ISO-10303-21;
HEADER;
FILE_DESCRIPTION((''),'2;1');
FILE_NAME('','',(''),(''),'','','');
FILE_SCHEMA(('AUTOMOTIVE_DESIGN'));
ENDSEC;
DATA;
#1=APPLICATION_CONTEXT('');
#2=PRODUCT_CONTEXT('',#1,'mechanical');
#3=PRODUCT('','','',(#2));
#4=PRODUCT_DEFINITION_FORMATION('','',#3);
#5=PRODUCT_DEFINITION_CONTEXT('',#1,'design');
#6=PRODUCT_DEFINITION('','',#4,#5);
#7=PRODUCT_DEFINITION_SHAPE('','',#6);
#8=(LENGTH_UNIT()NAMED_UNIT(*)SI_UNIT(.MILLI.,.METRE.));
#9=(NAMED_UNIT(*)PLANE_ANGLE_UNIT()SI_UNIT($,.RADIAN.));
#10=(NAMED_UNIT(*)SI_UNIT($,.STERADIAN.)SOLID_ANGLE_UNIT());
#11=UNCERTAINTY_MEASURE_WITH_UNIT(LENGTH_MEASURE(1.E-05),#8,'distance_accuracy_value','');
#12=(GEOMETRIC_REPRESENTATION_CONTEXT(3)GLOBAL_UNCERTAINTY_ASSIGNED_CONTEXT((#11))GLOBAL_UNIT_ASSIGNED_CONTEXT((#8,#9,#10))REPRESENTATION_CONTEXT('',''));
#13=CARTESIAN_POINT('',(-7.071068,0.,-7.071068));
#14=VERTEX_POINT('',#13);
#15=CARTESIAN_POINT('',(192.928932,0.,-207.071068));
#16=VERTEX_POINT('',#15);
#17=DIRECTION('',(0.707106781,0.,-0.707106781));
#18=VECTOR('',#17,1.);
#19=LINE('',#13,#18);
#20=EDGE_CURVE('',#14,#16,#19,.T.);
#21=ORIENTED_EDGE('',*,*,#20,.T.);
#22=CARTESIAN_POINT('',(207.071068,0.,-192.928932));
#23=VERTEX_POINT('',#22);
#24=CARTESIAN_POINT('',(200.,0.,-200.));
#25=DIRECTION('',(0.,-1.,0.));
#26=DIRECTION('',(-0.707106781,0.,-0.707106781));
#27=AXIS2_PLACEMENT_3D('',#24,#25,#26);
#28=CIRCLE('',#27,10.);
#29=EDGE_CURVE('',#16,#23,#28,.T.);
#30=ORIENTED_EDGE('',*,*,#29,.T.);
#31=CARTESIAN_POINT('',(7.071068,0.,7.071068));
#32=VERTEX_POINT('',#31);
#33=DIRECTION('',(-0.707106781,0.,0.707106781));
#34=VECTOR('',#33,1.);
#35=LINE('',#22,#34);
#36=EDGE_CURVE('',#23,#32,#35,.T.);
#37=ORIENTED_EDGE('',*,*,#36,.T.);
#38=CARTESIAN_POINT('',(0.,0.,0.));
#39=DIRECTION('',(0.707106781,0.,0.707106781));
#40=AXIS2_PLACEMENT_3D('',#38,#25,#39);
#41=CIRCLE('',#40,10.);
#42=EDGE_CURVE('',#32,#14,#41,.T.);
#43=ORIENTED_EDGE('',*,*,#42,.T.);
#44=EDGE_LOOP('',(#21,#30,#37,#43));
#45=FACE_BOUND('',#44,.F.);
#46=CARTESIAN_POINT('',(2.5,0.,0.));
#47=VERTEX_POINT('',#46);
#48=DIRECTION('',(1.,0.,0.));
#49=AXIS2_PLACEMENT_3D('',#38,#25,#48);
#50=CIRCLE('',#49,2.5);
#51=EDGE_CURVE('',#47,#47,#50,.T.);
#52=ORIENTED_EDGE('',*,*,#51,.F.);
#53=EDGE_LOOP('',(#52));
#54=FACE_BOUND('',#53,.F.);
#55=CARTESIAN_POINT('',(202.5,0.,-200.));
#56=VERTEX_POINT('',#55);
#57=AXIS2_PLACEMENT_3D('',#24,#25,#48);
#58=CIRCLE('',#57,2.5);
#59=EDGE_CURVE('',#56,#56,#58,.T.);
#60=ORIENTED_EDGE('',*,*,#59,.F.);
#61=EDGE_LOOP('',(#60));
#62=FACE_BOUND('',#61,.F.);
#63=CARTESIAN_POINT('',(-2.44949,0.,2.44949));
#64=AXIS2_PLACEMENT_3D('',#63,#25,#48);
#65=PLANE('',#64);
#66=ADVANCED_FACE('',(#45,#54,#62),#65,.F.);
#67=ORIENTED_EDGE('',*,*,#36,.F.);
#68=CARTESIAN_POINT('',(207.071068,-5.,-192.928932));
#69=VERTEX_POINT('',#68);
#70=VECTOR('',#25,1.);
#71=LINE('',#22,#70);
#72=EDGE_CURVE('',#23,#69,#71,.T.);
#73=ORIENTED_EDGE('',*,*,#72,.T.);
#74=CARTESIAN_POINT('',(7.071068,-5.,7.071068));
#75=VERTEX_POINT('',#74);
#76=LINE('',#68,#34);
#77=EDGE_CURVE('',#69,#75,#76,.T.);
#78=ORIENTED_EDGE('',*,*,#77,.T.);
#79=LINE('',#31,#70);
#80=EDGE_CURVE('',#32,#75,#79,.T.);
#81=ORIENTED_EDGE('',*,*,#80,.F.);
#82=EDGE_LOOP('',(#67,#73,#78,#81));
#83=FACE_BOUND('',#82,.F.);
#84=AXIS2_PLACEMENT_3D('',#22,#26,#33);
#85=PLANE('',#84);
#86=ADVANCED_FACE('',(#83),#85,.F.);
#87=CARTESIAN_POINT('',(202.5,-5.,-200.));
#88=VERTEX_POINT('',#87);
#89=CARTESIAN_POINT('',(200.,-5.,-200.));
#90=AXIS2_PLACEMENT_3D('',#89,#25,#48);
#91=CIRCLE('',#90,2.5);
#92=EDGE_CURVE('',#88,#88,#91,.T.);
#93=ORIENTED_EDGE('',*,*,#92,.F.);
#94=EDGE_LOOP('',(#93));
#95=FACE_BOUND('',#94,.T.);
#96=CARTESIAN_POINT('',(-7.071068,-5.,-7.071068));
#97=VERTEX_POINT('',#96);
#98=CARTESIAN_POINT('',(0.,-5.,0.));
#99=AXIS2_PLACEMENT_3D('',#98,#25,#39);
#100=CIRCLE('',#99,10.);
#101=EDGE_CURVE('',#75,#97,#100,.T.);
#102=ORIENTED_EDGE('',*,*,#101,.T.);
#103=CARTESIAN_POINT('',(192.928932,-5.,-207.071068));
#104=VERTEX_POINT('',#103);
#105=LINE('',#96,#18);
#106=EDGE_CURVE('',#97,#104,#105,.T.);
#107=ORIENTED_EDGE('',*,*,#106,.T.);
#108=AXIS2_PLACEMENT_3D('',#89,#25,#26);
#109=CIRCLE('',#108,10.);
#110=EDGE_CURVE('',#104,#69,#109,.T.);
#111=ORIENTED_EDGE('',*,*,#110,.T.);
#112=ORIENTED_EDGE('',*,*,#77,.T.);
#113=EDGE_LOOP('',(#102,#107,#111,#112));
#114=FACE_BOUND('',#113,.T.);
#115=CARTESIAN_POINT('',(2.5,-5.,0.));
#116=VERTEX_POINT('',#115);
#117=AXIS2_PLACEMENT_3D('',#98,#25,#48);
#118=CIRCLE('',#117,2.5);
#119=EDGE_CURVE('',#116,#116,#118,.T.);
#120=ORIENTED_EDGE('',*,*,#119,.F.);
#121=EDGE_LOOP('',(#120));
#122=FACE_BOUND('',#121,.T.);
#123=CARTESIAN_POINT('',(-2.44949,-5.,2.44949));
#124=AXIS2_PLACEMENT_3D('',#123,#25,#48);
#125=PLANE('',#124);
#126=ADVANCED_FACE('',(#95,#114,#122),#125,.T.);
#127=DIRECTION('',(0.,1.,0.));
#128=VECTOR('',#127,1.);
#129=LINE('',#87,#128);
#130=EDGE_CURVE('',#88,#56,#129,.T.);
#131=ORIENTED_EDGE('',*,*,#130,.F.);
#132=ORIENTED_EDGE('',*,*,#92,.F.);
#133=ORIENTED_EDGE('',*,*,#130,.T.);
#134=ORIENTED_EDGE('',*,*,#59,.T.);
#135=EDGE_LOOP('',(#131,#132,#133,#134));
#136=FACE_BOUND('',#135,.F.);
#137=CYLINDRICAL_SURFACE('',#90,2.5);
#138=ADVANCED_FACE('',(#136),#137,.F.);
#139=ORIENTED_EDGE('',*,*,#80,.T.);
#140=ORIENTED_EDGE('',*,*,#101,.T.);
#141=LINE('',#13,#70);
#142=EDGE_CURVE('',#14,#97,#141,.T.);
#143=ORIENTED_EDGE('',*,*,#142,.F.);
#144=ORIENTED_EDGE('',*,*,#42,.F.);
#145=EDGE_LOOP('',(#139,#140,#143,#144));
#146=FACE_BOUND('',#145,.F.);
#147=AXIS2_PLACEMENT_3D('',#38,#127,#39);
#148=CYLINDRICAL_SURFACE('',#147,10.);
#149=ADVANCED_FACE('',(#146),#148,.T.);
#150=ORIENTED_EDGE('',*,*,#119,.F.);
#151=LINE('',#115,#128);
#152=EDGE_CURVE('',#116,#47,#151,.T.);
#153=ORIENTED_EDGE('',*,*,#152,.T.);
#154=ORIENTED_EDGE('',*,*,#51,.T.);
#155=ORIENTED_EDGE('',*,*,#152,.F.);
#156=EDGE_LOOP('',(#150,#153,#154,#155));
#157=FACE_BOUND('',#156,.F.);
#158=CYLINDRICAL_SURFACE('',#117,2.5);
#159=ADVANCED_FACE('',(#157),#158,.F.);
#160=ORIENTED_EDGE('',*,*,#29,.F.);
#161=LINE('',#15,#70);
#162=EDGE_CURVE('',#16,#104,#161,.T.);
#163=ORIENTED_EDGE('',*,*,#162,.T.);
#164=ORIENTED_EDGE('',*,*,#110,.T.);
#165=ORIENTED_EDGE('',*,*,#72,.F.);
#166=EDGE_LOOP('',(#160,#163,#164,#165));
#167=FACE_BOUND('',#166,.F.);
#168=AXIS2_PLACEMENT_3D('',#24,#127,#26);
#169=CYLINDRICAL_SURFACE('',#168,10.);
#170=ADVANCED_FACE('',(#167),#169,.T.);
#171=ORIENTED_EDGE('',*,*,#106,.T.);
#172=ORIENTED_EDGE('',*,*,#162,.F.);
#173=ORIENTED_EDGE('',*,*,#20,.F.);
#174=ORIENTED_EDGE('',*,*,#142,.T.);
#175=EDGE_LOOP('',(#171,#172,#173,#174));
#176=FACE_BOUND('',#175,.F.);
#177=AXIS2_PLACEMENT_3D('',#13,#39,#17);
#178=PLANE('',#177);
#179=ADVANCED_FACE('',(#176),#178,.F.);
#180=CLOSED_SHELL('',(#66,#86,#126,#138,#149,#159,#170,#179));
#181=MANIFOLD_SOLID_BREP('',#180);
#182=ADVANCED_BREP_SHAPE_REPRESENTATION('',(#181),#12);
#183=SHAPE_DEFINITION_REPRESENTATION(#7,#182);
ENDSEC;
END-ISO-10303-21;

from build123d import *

# Parameters (mm, degrees)
F1_DEPTH = 5
F2_R     = 2.5
F3_DEPTH = 25
F4_R     = 2.5
F5_DEPTH = 25


with BuildPart() as f1:
    # F0 (on Front) → F1 (new body)
    with BuildSketch(Plane.XZ):
        with BuildLine():
            ThreePointArc((7.071068, 7.071068), (-7.071068, 7.071068), (-7.071068, -7.071068))
            Line((-7.071068, -7.071068), (7.071068, 7.071068))
        make_face()
        Polygon((7.071068, 7.071068), (-7.071068, -7.071068), (192.928932, -207.071068), (207.071068, -192.928932), align=None)
        with BuildLine():
            Line((207.071068, -192.928932), (192.928932, -207.071068))
            ThreePointArc((192.928932, -207.071068), (207.071068, -207.071068), (207.071068, -192.928932))
        make_face()
    extrude(amount=F1_DEPTH)

    # F2 (on face) → F3 (cut)
    with BuildSketch(Plane.XZ.offset(5)):
        Circle(F2_R)
    extrude(amount=-F3_DEPTH, mode=Mode.SUBTRACT)

    # F4 (on face) → F5 (cut)
    with BuildSketch(Plane.XZ.offset(5)):
        with Locations((200, -200)):
            Circle(F4_R)
    extrude(amount=-F5_DEPTH, mode=Mode.SUBTRACT)


solid = f1.part
